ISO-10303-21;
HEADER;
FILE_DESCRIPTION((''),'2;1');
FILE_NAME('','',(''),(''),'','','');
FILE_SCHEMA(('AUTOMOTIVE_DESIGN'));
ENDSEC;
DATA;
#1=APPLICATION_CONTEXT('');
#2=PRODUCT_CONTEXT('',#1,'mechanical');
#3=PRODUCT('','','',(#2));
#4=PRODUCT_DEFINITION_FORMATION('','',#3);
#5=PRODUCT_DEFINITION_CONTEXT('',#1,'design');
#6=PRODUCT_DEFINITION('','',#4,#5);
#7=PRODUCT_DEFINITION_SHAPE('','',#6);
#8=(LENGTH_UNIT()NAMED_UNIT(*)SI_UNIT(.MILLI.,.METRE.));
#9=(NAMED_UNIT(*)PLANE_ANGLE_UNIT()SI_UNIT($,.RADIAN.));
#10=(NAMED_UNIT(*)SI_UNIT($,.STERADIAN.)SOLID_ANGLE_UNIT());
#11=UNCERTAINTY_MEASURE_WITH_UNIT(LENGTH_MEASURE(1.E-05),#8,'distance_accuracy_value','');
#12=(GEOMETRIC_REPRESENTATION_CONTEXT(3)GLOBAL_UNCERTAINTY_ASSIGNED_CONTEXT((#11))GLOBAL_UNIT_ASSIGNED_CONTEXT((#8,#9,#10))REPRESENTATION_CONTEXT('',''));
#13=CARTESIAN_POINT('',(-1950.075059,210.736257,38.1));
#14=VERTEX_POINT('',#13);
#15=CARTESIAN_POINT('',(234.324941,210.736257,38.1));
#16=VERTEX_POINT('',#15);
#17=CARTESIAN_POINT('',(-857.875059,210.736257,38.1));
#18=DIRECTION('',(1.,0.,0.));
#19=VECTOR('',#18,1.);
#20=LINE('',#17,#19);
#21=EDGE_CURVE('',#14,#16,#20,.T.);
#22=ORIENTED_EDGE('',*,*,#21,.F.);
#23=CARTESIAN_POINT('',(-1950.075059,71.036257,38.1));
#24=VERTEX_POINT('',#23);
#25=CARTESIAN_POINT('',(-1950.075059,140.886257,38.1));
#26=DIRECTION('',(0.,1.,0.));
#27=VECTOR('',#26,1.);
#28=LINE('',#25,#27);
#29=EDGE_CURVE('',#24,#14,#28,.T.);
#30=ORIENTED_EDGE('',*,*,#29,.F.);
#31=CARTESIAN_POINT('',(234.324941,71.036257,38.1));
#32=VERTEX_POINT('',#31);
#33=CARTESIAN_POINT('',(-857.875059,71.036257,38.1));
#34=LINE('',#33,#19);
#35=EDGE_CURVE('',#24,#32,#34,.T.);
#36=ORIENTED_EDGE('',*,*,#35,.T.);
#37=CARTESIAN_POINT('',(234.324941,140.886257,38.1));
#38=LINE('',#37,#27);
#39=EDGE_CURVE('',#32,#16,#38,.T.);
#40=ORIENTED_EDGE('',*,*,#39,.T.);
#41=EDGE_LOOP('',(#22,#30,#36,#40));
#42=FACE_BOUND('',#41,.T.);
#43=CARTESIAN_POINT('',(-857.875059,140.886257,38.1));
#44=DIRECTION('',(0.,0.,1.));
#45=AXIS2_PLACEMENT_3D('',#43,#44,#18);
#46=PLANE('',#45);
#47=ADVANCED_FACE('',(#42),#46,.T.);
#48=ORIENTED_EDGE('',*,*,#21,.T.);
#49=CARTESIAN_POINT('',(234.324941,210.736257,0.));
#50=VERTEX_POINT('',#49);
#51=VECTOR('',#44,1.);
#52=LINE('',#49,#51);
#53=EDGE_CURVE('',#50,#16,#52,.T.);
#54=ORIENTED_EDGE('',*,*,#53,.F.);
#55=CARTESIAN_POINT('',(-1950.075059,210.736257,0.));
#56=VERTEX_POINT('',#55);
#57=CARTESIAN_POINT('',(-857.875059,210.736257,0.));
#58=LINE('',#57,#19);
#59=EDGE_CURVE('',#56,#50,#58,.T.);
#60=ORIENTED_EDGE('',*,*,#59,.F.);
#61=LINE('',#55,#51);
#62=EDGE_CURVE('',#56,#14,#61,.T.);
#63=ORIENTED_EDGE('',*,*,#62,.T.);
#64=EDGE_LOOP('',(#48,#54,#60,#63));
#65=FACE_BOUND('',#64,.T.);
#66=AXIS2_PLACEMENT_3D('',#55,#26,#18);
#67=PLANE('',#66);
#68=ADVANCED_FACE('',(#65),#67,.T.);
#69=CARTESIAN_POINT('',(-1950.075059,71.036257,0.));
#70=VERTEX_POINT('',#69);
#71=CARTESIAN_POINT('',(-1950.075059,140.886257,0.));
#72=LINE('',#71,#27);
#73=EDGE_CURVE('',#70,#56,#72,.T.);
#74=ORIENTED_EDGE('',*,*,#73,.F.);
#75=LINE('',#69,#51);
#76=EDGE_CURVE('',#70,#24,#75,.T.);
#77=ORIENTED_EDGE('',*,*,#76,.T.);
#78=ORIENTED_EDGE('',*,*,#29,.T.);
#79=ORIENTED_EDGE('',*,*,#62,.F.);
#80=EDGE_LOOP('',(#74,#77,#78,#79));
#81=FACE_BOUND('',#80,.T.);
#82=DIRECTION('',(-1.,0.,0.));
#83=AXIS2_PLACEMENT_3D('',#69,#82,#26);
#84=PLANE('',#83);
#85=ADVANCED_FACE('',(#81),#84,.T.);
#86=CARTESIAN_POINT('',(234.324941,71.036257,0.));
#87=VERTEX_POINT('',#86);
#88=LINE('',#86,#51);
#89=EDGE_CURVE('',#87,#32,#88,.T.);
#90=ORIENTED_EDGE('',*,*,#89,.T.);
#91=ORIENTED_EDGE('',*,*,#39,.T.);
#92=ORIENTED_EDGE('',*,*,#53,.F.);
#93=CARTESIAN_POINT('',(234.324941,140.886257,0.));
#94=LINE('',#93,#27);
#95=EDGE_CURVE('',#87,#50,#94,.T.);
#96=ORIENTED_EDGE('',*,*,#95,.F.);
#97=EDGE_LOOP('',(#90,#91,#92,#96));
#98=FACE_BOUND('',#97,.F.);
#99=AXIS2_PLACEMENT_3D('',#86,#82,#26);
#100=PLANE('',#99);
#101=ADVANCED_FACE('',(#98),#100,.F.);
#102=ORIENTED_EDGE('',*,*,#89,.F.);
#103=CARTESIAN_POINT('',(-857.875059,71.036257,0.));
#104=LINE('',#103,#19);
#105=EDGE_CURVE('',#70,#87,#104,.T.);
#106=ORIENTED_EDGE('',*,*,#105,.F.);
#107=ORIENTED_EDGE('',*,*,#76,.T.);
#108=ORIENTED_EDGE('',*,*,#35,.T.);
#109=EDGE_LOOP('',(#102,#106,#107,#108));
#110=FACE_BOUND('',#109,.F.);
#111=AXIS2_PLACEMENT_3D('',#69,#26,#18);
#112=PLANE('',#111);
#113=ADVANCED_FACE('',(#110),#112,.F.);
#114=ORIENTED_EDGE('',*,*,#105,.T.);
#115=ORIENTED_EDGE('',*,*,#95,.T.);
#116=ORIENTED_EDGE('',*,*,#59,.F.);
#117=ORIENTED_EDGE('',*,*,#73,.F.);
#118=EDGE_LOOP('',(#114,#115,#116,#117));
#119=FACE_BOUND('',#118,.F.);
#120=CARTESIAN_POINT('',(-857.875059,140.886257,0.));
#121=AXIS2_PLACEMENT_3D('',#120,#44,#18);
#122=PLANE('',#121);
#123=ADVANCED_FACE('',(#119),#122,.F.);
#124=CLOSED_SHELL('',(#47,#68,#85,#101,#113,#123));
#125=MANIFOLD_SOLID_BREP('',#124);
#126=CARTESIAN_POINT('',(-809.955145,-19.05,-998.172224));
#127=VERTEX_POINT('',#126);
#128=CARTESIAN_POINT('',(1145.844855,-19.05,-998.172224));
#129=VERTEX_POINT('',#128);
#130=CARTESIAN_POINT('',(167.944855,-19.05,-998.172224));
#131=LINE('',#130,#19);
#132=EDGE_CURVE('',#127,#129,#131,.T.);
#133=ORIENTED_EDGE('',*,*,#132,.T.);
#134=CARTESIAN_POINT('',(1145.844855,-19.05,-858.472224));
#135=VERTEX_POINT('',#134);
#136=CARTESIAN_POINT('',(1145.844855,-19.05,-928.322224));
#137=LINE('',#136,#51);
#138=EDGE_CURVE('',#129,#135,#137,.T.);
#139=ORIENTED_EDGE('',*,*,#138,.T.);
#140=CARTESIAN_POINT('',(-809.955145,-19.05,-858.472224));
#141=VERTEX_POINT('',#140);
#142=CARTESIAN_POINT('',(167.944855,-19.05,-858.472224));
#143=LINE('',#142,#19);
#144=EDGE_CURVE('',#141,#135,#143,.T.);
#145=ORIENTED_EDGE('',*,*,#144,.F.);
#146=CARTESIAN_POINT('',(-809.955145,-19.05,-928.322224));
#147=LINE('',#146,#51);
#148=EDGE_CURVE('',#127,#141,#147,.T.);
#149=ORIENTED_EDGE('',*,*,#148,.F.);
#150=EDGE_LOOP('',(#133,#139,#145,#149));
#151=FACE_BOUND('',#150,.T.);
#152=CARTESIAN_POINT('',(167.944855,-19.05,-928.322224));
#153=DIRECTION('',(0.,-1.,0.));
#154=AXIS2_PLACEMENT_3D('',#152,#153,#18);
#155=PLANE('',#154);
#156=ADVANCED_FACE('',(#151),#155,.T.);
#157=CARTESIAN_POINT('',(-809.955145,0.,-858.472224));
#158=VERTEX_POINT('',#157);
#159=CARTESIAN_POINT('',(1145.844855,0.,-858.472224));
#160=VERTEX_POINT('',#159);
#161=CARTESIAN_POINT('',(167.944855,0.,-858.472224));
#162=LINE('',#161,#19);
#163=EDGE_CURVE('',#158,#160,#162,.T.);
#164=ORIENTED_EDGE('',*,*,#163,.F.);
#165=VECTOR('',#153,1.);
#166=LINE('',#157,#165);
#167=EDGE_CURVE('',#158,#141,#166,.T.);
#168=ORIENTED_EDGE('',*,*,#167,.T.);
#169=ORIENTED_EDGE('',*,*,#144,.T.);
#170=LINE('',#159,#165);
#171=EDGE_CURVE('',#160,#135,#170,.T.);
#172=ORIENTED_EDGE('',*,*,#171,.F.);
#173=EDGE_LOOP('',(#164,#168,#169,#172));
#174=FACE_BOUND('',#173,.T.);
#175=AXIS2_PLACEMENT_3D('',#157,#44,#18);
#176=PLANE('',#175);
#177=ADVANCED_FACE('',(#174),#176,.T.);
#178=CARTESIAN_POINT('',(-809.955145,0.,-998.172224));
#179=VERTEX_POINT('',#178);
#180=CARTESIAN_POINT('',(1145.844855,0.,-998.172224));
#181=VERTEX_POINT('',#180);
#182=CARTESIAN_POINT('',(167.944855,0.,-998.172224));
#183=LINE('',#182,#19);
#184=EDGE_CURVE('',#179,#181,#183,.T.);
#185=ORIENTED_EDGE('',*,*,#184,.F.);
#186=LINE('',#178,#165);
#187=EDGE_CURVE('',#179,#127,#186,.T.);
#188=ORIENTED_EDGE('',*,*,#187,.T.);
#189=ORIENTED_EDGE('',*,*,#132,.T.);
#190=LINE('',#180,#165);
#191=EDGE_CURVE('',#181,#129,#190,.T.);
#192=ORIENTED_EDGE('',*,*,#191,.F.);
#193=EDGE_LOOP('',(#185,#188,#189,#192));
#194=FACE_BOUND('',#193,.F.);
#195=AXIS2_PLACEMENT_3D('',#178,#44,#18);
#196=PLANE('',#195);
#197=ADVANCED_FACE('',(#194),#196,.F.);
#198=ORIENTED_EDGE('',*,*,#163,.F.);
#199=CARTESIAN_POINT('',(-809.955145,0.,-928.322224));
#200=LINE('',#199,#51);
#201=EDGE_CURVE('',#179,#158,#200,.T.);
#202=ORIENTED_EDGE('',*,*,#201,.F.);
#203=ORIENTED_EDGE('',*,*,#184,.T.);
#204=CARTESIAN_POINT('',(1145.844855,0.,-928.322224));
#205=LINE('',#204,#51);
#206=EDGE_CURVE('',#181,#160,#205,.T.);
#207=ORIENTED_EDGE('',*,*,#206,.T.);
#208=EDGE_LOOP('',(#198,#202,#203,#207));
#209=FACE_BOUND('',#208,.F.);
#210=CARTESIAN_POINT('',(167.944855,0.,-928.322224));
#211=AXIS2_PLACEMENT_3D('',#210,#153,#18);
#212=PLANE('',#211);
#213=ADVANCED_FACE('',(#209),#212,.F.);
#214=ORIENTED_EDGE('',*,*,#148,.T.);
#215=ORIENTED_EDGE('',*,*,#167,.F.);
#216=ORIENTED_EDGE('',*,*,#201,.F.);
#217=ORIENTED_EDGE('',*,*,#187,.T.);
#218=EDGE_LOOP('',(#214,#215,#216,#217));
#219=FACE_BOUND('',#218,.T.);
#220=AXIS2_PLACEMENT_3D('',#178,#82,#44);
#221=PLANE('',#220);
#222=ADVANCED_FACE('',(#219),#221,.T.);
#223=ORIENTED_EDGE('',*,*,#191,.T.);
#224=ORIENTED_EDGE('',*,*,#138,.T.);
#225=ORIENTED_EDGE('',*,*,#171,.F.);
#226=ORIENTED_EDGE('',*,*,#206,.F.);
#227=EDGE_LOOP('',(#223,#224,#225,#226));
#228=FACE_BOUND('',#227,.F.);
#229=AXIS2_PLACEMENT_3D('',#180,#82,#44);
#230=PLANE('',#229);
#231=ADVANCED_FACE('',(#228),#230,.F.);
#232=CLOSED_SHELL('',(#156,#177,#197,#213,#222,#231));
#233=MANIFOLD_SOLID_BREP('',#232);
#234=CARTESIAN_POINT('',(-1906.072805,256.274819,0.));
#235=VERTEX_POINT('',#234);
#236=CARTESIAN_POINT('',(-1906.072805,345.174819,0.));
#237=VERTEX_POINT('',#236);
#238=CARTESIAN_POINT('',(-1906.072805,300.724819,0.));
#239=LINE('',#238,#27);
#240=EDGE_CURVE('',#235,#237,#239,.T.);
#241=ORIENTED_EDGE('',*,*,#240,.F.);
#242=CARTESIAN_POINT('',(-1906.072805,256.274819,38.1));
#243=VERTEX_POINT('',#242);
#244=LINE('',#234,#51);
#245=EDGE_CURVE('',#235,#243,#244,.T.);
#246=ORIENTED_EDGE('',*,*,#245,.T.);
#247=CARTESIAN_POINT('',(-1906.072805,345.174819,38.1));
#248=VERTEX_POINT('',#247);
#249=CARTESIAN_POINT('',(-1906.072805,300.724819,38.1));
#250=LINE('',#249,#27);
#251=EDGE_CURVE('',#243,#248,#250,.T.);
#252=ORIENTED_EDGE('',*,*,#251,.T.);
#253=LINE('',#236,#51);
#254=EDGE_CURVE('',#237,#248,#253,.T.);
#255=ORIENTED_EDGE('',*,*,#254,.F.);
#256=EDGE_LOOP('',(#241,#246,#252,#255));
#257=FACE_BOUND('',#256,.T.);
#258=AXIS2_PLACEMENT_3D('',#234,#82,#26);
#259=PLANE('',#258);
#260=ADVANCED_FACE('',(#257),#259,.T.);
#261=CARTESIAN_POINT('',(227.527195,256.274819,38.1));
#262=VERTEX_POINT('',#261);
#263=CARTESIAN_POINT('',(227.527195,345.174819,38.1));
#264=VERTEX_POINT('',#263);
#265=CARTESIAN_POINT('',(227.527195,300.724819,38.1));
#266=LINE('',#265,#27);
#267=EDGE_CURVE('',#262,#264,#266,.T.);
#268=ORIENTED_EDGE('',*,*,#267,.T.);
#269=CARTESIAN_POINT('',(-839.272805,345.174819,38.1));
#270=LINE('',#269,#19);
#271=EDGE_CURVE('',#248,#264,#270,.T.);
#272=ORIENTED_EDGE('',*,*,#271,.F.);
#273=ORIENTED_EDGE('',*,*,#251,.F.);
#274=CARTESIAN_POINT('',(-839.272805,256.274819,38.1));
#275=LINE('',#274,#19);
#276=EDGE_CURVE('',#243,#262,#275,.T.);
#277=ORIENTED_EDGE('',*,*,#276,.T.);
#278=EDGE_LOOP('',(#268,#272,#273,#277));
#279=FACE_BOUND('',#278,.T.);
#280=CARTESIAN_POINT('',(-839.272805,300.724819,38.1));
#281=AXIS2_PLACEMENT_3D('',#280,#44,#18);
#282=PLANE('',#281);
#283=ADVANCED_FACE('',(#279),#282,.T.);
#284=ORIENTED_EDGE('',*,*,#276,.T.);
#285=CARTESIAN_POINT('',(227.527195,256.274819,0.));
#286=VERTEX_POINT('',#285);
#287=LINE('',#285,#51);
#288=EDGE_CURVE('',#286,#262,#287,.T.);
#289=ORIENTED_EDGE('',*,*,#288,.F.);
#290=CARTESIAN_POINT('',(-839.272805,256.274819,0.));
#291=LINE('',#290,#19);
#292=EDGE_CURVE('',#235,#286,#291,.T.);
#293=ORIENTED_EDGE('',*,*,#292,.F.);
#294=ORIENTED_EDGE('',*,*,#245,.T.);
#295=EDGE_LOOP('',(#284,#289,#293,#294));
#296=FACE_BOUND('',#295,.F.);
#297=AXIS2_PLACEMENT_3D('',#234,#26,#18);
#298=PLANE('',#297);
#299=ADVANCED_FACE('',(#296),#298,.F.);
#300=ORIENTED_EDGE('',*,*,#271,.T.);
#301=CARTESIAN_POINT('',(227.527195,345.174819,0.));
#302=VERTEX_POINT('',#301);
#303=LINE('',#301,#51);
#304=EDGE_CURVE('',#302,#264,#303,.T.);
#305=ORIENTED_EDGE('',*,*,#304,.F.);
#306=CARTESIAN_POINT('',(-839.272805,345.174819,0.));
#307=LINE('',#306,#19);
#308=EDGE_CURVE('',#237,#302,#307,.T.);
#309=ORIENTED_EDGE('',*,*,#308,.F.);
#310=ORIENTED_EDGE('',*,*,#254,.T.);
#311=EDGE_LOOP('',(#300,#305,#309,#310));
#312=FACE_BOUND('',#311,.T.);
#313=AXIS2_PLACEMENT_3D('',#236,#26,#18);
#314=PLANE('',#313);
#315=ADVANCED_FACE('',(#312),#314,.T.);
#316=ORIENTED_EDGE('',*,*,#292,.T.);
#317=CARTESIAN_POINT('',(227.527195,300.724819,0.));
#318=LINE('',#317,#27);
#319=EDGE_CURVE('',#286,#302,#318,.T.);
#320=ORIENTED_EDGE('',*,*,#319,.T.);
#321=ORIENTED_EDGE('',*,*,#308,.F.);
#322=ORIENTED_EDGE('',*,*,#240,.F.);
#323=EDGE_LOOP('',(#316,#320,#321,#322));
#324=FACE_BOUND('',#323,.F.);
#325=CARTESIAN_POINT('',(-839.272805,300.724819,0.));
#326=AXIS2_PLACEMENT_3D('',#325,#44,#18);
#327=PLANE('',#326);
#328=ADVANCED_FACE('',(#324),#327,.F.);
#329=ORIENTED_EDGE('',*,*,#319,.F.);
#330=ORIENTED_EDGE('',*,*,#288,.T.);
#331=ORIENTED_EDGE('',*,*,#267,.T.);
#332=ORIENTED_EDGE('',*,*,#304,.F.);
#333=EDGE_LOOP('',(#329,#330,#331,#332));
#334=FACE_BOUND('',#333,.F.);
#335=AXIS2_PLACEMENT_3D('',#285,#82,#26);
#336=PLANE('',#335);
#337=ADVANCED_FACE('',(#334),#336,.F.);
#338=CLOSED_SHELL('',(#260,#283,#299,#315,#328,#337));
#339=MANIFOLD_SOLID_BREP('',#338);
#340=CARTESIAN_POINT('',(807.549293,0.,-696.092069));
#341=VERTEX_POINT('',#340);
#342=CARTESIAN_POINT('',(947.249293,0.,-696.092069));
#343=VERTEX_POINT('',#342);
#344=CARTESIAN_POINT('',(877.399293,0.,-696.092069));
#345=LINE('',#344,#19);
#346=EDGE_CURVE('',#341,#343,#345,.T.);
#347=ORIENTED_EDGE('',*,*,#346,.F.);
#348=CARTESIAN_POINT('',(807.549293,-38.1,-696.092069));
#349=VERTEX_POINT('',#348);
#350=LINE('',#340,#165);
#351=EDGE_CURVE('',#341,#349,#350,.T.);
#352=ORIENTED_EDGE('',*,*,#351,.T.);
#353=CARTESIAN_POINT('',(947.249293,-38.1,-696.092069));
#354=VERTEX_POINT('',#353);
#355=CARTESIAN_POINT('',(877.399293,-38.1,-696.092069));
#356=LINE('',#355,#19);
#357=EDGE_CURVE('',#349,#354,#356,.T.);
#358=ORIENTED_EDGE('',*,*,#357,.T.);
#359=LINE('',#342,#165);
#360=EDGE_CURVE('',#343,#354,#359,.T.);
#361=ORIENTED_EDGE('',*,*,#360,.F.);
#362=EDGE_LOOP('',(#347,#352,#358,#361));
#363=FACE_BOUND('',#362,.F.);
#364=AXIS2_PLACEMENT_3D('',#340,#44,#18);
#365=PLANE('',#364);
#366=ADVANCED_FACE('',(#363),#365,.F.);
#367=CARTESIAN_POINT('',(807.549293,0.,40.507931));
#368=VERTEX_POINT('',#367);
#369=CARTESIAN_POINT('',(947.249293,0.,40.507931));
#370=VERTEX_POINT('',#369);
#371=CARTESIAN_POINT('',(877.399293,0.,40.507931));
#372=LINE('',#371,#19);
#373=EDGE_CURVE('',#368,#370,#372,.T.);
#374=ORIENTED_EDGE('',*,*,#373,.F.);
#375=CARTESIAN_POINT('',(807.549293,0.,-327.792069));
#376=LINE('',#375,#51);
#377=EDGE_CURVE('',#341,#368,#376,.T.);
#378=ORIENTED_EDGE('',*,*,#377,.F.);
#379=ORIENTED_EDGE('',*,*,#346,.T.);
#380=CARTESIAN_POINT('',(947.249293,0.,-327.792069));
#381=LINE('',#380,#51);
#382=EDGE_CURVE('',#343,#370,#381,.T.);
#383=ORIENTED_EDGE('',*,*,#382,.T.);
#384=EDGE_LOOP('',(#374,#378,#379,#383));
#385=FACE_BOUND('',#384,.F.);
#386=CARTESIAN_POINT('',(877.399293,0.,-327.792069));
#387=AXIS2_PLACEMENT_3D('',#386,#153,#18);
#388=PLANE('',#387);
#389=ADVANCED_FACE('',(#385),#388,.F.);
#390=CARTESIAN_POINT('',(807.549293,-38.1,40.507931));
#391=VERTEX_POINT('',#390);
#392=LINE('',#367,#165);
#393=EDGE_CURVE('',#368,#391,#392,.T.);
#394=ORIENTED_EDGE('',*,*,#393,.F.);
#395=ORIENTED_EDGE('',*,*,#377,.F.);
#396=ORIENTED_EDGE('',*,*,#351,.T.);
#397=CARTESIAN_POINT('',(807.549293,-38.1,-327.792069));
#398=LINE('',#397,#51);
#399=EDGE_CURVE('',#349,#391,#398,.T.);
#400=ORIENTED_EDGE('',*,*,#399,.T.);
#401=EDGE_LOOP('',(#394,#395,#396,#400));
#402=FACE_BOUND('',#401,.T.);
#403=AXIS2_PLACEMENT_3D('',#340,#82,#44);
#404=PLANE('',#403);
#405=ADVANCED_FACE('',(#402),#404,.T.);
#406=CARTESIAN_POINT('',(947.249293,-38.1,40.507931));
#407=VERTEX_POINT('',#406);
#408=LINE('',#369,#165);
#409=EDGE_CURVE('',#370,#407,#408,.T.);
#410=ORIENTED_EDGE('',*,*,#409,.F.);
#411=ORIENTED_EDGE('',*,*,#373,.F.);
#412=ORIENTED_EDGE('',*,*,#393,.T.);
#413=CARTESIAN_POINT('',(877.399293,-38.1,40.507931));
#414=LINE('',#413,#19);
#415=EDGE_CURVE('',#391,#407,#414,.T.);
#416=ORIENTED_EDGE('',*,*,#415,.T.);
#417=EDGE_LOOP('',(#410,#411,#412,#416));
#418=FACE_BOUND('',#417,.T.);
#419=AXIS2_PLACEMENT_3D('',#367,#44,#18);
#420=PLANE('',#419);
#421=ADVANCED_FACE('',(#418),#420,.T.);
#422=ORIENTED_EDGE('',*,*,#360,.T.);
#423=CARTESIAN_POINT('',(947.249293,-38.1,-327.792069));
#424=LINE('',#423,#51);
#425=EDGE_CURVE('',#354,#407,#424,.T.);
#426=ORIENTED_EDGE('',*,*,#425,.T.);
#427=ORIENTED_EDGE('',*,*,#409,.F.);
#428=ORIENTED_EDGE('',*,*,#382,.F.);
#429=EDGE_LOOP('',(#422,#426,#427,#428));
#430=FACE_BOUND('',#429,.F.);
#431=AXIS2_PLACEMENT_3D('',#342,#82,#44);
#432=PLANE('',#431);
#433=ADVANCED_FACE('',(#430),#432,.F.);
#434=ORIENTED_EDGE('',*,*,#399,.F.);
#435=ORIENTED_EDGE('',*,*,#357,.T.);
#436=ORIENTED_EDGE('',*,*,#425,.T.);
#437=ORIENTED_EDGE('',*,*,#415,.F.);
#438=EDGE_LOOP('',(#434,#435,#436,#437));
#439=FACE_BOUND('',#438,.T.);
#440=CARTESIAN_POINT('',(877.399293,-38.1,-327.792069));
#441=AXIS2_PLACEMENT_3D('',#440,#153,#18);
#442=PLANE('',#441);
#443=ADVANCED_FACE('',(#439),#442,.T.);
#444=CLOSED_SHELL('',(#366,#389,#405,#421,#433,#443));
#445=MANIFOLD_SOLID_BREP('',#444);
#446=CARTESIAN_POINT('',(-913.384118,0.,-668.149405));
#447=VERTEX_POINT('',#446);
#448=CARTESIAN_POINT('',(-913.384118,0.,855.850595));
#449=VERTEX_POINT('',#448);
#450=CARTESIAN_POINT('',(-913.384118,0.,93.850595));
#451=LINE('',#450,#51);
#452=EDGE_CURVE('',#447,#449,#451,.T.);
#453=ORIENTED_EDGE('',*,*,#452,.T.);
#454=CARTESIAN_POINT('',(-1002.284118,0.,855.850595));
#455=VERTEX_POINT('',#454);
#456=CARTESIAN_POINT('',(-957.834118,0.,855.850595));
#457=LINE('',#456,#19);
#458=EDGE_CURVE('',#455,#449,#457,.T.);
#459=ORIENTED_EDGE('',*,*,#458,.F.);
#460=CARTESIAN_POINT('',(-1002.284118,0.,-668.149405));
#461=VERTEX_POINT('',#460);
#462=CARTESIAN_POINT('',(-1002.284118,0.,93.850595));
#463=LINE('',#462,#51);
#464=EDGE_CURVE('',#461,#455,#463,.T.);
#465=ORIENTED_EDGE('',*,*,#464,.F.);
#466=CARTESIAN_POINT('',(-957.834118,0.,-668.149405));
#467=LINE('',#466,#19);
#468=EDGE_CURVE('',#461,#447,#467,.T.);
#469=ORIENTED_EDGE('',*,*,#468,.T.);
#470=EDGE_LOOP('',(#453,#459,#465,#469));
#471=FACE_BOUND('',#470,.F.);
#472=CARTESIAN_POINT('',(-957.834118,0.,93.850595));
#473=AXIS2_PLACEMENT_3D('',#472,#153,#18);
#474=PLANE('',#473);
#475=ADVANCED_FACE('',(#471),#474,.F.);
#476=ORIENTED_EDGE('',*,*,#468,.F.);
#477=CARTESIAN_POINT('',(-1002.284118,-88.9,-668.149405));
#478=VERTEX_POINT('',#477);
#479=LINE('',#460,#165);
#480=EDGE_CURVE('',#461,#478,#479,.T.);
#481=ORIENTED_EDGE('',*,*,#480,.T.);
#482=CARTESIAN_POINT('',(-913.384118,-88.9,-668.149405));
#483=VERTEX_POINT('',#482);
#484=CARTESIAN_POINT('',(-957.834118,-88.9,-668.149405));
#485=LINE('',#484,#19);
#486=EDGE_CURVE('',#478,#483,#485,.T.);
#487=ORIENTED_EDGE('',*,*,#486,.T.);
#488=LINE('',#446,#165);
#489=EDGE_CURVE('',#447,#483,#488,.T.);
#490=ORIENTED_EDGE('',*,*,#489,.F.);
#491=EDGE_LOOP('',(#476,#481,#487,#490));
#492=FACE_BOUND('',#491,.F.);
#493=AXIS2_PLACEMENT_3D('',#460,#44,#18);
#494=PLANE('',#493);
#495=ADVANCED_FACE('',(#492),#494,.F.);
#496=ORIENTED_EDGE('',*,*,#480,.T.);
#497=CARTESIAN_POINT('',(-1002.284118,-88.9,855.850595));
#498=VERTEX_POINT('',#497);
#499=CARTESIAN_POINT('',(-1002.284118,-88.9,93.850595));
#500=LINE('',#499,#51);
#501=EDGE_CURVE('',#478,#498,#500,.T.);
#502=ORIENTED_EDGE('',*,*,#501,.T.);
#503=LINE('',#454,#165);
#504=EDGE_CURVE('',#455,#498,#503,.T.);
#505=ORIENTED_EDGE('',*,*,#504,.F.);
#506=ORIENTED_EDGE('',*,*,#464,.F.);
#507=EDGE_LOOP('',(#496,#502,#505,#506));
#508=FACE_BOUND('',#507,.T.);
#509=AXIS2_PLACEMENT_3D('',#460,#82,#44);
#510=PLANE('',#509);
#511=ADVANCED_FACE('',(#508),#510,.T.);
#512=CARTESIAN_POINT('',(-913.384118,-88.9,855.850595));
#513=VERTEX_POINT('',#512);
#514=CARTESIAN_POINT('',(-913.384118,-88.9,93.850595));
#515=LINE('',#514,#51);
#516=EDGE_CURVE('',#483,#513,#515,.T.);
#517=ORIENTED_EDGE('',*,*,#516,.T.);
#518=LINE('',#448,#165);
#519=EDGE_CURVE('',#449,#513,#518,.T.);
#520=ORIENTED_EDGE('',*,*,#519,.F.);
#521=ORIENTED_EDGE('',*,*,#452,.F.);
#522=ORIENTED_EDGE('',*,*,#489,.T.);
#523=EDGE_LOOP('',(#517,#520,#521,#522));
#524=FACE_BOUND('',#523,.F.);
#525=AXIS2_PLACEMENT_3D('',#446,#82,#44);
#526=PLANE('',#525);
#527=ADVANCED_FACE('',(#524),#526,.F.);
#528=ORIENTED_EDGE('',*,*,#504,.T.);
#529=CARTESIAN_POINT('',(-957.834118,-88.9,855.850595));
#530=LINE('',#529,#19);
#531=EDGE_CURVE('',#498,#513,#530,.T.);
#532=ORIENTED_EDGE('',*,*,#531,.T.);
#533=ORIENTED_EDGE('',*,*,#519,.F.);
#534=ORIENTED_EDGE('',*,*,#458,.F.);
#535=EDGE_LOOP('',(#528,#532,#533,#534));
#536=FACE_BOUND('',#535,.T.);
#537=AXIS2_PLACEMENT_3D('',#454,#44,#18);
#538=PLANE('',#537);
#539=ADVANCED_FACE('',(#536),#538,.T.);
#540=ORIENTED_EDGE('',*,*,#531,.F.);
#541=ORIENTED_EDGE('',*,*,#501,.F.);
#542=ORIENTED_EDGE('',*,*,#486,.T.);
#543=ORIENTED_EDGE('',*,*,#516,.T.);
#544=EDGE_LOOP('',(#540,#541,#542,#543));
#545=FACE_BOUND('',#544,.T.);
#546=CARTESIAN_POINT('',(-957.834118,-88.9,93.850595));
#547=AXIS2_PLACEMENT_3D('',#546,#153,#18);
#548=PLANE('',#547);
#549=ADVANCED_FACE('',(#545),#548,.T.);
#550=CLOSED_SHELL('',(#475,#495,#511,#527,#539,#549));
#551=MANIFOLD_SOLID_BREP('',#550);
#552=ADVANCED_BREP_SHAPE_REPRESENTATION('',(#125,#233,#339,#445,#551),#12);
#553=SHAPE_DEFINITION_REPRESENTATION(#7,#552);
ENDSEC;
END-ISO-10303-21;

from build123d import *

# Parameters (mm, degrees)
F0_W     = 88.9
F0_H     = 1524
F1_DEPTH = 88.9
F2_W     = 2133.6
F2_H     = 88.9
F3_DEPTH = 38.1
F4_W     = 2184.4
F4_H     = 139.7
F5_DEPTH = 38.1
F6_W     = 1955.8
F6_H     = 139.7
F7_DEPTH = 19.05
F8_W     = 139.7
F8_H     = 736.6
F9_DEPTH = 38.1


with BuildPart() as f1:
    # F0 (on Front) → F1 (new body)
    with BuildSketch(Plane.XZ):
        with Locations((-957.834118, 93.850595)):
            Rectangle(F0_W, F0_H)
    extrude(amount=F1_DEPTH)


with BuildPart() as f3:
    # F2 (on Top) → F3 (new body)
    with BuildSketch(Plane.XY):
        with Locations((-839.272805, 300.724819)):
            Rectangle(F2_W, F2_H)
    extrude(amount=F3_DEPTH)


with BuildPart() as f5:
    # F4 (on Top) → F5 (new body)
    with BuildSketch(Plane.XY):
        with Locations((-857.875059, 140.886257)):
            Rectangle(F4_W, F4_H)
    extrude(amount=F5_DEPTH)


with BuildPart() as f7:
    # F6 (on Front) → F7 (new body)
    with BuildSketch(Plane.XZ):
        with Locations((167.944855, -928.322224)):
            Rectangle(F6_W, F6_H)
    extrude(amount=F7_DEPTH)


with BuildPart() as f9:
    # F8 (on Front) → F9 (new body)
    with BuildSketch(Plane.XZ):
        with Locations((877.399293, -327.792069)):
            Rectangle(F8_W, F8_H)
    extrude(amount=F9_DEPTH)


solid = Compound([f1.part, f3.part, f5.part, f7.part, f9.part])
